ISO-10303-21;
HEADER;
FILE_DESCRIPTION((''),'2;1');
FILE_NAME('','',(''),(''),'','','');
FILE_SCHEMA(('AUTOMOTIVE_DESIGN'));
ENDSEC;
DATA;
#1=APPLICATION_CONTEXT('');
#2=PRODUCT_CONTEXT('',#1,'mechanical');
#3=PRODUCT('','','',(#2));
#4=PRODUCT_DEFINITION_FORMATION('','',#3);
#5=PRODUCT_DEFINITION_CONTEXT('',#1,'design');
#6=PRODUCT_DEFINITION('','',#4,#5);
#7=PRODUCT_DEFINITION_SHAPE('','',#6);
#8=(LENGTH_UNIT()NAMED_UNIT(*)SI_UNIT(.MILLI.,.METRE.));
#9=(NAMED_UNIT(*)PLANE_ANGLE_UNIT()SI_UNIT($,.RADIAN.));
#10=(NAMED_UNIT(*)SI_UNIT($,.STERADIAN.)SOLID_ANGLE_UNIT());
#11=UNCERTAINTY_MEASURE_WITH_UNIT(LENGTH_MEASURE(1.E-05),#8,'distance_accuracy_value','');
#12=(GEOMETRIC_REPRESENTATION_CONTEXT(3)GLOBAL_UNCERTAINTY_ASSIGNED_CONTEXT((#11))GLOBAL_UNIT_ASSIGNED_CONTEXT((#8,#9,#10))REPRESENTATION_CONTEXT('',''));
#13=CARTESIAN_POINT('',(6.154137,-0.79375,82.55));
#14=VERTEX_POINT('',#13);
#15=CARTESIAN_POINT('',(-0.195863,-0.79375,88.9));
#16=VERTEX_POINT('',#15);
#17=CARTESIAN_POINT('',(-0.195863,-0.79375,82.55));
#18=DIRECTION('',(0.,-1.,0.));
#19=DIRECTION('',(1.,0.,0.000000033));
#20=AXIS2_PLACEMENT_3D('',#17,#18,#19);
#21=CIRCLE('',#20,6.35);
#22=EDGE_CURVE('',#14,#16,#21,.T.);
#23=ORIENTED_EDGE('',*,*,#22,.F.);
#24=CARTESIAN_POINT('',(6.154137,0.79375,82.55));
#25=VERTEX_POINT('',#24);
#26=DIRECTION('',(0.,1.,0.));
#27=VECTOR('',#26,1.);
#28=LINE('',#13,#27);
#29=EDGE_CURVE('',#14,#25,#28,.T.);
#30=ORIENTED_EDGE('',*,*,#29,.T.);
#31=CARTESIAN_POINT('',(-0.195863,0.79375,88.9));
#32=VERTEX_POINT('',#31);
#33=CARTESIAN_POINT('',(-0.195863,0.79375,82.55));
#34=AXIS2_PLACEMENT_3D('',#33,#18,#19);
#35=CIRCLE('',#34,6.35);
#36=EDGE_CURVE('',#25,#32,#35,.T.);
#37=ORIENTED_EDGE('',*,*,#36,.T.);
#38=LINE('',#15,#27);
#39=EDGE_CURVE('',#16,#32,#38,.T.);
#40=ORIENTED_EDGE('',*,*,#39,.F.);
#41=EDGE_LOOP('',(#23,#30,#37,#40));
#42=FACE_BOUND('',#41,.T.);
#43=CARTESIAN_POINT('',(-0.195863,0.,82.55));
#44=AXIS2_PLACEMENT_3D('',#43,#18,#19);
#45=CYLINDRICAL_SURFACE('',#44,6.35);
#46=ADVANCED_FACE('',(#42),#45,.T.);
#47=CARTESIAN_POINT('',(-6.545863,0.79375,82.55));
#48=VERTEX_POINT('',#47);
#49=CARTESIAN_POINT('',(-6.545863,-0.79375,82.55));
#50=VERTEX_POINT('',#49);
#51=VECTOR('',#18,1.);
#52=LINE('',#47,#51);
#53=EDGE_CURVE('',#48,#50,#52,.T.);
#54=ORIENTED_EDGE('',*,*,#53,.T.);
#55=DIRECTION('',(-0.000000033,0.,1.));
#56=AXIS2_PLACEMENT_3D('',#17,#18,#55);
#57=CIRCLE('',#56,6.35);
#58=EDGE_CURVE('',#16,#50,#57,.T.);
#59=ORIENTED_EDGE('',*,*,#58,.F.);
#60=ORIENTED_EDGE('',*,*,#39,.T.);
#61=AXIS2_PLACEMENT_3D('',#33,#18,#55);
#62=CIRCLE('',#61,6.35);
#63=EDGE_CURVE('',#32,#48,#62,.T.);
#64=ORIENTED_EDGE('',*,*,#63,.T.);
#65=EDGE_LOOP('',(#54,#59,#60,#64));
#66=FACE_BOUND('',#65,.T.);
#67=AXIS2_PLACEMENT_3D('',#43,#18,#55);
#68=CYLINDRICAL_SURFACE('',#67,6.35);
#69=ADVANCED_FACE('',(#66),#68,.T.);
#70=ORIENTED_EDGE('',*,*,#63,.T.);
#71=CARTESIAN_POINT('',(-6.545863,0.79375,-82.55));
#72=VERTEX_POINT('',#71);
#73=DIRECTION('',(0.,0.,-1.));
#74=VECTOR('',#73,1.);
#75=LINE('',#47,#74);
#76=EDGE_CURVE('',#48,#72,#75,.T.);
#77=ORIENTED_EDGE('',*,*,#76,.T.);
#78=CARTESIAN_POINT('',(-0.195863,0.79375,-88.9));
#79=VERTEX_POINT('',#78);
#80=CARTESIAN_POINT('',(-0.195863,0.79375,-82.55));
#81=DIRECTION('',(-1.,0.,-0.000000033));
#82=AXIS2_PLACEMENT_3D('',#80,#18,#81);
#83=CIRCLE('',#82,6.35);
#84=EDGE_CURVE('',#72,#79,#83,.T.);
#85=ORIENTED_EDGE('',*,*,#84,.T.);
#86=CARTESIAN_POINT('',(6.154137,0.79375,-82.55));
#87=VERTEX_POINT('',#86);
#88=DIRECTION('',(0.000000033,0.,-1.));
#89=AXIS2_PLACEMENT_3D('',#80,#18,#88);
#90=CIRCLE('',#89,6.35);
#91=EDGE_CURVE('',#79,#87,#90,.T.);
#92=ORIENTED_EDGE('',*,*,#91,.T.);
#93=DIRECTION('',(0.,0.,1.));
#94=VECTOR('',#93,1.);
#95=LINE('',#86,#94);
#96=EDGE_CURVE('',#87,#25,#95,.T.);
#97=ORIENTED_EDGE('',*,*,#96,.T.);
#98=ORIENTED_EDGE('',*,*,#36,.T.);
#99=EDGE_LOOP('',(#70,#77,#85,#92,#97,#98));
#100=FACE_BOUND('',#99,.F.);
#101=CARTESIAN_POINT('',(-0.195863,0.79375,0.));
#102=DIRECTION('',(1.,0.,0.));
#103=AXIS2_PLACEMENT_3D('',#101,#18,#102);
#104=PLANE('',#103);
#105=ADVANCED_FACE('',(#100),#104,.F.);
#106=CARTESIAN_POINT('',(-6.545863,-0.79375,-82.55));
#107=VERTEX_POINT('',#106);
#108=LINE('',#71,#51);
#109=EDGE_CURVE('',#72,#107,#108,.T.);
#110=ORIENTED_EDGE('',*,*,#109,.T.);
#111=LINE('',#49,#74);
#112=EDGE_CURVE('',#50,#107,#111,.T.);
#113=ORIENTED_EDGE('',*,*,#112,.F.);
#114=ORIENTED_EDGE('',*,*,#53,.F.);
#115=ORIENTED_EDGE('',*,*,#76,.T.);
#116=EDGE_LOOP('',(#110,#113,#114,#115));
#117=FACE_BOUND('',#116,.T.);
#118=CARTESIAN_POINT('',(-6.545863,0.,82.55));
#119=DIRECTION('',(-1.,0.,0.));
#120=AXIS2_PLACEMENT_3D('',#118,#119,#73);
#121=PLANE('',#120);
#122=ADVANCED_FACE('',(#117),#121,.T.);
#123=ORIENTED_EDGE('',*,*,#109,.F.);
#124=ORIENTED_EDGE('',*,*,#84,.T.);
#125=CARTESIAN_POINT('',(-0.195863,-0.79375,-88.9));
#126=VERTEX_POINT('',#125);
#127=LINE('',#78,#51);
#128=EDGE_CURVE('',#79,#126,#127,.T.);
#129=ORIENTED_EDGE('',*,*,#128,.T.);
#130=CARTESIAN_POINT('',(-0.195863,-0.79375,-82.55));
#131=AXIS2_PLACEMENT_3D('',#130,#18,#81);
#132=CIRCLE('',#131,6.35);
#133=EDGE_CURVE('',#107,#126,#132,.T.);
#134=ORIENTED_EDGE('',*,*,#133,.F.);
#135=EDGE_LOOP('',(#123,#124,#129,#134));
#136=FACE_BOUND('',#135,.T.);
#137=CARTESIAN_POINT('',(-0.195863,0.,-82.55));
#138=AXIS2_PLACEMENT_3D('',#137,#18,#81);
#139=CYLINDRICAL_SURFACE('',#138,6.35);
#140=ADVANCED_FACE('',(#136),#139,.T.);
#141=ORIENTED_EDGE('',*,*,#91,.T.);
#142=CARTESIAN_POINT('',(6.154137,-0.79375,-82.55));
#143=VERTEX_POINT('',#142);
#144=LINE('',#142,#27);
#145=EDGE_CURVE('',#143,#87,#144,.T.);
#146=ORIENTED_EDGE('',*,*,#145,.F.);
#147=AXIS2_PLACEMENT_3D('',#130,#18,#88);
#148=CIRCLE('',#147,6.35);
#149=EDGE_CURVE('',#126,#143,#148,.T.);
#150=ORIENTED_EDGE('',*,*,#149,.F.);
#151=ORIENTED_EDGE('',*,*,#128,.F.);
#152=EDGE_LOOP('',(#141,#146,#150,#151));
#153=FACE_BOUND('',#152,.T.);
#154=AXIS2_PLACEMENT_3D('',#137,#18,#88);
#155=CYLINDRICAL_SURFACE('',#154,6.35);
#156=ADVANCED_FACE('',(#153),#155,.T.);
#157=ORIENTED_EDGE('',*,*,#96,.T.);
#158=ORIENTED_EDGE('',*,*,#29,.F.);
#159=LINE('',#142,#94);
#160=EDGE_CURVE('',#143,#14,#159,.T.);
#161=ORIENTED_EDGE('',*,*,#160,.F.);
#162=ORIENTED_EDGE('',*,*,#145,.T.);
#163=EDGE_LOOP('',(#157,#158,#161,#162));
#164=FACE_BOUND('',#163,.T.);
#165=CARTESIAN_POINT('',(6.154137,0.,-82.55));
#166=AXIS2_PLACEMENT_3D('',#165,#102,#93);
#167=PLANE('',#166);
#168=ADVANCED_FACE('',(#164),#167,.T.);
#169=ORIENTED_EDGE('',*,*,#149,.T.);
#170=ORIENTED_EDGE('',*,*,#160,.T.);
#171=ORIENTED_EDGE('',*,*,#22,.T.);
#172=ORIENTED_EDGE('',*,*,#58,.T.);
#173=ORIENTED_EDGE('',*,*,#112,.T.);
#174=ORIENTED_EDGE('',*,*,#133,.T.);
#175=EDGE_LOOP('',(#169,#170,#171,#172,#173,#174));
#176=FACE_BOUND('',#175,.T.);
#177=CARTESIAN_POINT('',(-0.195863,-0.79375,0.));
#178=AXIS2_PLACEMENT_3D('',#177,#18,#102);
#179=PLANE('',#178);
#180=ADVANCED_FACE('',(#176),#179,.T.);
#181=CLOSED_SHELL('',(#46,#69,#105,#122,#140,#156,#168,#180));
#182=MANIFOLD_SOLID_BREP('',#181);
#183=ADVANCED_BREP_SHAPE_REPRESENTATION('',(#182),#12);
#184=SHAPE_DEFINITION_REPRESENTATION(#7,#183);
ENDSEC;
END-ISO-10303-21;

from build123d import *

# Parameters (mm, degrees)
F1_DEPTH = 0.79375


with BuildPart() as f1:
    # F0 (on Front) → F1 (new body, symmetric)
    with BuildSketch(Plane.XZ):
        with BuildLine():
            ThreePointArc((-0.195863, 88.9), (-4.685991, 87.040128), (-6.545863, 82.55))
            Line((-6.545863, 82.55), (-6.545863, -82.55))
            ThreePointArc((-6.545863, -82.55), (-4.685991, -87.040128), (-0.195863, -88.9))
            ThreePointArc((-0.195863, -88.9), (4.294265, -87.040128), (6.154137, -82.55))
            Line((6.154137, -82.55), (6.154137, 82.55))
            ThreePointArc((6.154137, 82.55), (4.294265, 87.040128), (-0.195863, 88.9))
        make_face()
    extrude(amount=F1_DEPTH, both=True)


solid = f1.part
